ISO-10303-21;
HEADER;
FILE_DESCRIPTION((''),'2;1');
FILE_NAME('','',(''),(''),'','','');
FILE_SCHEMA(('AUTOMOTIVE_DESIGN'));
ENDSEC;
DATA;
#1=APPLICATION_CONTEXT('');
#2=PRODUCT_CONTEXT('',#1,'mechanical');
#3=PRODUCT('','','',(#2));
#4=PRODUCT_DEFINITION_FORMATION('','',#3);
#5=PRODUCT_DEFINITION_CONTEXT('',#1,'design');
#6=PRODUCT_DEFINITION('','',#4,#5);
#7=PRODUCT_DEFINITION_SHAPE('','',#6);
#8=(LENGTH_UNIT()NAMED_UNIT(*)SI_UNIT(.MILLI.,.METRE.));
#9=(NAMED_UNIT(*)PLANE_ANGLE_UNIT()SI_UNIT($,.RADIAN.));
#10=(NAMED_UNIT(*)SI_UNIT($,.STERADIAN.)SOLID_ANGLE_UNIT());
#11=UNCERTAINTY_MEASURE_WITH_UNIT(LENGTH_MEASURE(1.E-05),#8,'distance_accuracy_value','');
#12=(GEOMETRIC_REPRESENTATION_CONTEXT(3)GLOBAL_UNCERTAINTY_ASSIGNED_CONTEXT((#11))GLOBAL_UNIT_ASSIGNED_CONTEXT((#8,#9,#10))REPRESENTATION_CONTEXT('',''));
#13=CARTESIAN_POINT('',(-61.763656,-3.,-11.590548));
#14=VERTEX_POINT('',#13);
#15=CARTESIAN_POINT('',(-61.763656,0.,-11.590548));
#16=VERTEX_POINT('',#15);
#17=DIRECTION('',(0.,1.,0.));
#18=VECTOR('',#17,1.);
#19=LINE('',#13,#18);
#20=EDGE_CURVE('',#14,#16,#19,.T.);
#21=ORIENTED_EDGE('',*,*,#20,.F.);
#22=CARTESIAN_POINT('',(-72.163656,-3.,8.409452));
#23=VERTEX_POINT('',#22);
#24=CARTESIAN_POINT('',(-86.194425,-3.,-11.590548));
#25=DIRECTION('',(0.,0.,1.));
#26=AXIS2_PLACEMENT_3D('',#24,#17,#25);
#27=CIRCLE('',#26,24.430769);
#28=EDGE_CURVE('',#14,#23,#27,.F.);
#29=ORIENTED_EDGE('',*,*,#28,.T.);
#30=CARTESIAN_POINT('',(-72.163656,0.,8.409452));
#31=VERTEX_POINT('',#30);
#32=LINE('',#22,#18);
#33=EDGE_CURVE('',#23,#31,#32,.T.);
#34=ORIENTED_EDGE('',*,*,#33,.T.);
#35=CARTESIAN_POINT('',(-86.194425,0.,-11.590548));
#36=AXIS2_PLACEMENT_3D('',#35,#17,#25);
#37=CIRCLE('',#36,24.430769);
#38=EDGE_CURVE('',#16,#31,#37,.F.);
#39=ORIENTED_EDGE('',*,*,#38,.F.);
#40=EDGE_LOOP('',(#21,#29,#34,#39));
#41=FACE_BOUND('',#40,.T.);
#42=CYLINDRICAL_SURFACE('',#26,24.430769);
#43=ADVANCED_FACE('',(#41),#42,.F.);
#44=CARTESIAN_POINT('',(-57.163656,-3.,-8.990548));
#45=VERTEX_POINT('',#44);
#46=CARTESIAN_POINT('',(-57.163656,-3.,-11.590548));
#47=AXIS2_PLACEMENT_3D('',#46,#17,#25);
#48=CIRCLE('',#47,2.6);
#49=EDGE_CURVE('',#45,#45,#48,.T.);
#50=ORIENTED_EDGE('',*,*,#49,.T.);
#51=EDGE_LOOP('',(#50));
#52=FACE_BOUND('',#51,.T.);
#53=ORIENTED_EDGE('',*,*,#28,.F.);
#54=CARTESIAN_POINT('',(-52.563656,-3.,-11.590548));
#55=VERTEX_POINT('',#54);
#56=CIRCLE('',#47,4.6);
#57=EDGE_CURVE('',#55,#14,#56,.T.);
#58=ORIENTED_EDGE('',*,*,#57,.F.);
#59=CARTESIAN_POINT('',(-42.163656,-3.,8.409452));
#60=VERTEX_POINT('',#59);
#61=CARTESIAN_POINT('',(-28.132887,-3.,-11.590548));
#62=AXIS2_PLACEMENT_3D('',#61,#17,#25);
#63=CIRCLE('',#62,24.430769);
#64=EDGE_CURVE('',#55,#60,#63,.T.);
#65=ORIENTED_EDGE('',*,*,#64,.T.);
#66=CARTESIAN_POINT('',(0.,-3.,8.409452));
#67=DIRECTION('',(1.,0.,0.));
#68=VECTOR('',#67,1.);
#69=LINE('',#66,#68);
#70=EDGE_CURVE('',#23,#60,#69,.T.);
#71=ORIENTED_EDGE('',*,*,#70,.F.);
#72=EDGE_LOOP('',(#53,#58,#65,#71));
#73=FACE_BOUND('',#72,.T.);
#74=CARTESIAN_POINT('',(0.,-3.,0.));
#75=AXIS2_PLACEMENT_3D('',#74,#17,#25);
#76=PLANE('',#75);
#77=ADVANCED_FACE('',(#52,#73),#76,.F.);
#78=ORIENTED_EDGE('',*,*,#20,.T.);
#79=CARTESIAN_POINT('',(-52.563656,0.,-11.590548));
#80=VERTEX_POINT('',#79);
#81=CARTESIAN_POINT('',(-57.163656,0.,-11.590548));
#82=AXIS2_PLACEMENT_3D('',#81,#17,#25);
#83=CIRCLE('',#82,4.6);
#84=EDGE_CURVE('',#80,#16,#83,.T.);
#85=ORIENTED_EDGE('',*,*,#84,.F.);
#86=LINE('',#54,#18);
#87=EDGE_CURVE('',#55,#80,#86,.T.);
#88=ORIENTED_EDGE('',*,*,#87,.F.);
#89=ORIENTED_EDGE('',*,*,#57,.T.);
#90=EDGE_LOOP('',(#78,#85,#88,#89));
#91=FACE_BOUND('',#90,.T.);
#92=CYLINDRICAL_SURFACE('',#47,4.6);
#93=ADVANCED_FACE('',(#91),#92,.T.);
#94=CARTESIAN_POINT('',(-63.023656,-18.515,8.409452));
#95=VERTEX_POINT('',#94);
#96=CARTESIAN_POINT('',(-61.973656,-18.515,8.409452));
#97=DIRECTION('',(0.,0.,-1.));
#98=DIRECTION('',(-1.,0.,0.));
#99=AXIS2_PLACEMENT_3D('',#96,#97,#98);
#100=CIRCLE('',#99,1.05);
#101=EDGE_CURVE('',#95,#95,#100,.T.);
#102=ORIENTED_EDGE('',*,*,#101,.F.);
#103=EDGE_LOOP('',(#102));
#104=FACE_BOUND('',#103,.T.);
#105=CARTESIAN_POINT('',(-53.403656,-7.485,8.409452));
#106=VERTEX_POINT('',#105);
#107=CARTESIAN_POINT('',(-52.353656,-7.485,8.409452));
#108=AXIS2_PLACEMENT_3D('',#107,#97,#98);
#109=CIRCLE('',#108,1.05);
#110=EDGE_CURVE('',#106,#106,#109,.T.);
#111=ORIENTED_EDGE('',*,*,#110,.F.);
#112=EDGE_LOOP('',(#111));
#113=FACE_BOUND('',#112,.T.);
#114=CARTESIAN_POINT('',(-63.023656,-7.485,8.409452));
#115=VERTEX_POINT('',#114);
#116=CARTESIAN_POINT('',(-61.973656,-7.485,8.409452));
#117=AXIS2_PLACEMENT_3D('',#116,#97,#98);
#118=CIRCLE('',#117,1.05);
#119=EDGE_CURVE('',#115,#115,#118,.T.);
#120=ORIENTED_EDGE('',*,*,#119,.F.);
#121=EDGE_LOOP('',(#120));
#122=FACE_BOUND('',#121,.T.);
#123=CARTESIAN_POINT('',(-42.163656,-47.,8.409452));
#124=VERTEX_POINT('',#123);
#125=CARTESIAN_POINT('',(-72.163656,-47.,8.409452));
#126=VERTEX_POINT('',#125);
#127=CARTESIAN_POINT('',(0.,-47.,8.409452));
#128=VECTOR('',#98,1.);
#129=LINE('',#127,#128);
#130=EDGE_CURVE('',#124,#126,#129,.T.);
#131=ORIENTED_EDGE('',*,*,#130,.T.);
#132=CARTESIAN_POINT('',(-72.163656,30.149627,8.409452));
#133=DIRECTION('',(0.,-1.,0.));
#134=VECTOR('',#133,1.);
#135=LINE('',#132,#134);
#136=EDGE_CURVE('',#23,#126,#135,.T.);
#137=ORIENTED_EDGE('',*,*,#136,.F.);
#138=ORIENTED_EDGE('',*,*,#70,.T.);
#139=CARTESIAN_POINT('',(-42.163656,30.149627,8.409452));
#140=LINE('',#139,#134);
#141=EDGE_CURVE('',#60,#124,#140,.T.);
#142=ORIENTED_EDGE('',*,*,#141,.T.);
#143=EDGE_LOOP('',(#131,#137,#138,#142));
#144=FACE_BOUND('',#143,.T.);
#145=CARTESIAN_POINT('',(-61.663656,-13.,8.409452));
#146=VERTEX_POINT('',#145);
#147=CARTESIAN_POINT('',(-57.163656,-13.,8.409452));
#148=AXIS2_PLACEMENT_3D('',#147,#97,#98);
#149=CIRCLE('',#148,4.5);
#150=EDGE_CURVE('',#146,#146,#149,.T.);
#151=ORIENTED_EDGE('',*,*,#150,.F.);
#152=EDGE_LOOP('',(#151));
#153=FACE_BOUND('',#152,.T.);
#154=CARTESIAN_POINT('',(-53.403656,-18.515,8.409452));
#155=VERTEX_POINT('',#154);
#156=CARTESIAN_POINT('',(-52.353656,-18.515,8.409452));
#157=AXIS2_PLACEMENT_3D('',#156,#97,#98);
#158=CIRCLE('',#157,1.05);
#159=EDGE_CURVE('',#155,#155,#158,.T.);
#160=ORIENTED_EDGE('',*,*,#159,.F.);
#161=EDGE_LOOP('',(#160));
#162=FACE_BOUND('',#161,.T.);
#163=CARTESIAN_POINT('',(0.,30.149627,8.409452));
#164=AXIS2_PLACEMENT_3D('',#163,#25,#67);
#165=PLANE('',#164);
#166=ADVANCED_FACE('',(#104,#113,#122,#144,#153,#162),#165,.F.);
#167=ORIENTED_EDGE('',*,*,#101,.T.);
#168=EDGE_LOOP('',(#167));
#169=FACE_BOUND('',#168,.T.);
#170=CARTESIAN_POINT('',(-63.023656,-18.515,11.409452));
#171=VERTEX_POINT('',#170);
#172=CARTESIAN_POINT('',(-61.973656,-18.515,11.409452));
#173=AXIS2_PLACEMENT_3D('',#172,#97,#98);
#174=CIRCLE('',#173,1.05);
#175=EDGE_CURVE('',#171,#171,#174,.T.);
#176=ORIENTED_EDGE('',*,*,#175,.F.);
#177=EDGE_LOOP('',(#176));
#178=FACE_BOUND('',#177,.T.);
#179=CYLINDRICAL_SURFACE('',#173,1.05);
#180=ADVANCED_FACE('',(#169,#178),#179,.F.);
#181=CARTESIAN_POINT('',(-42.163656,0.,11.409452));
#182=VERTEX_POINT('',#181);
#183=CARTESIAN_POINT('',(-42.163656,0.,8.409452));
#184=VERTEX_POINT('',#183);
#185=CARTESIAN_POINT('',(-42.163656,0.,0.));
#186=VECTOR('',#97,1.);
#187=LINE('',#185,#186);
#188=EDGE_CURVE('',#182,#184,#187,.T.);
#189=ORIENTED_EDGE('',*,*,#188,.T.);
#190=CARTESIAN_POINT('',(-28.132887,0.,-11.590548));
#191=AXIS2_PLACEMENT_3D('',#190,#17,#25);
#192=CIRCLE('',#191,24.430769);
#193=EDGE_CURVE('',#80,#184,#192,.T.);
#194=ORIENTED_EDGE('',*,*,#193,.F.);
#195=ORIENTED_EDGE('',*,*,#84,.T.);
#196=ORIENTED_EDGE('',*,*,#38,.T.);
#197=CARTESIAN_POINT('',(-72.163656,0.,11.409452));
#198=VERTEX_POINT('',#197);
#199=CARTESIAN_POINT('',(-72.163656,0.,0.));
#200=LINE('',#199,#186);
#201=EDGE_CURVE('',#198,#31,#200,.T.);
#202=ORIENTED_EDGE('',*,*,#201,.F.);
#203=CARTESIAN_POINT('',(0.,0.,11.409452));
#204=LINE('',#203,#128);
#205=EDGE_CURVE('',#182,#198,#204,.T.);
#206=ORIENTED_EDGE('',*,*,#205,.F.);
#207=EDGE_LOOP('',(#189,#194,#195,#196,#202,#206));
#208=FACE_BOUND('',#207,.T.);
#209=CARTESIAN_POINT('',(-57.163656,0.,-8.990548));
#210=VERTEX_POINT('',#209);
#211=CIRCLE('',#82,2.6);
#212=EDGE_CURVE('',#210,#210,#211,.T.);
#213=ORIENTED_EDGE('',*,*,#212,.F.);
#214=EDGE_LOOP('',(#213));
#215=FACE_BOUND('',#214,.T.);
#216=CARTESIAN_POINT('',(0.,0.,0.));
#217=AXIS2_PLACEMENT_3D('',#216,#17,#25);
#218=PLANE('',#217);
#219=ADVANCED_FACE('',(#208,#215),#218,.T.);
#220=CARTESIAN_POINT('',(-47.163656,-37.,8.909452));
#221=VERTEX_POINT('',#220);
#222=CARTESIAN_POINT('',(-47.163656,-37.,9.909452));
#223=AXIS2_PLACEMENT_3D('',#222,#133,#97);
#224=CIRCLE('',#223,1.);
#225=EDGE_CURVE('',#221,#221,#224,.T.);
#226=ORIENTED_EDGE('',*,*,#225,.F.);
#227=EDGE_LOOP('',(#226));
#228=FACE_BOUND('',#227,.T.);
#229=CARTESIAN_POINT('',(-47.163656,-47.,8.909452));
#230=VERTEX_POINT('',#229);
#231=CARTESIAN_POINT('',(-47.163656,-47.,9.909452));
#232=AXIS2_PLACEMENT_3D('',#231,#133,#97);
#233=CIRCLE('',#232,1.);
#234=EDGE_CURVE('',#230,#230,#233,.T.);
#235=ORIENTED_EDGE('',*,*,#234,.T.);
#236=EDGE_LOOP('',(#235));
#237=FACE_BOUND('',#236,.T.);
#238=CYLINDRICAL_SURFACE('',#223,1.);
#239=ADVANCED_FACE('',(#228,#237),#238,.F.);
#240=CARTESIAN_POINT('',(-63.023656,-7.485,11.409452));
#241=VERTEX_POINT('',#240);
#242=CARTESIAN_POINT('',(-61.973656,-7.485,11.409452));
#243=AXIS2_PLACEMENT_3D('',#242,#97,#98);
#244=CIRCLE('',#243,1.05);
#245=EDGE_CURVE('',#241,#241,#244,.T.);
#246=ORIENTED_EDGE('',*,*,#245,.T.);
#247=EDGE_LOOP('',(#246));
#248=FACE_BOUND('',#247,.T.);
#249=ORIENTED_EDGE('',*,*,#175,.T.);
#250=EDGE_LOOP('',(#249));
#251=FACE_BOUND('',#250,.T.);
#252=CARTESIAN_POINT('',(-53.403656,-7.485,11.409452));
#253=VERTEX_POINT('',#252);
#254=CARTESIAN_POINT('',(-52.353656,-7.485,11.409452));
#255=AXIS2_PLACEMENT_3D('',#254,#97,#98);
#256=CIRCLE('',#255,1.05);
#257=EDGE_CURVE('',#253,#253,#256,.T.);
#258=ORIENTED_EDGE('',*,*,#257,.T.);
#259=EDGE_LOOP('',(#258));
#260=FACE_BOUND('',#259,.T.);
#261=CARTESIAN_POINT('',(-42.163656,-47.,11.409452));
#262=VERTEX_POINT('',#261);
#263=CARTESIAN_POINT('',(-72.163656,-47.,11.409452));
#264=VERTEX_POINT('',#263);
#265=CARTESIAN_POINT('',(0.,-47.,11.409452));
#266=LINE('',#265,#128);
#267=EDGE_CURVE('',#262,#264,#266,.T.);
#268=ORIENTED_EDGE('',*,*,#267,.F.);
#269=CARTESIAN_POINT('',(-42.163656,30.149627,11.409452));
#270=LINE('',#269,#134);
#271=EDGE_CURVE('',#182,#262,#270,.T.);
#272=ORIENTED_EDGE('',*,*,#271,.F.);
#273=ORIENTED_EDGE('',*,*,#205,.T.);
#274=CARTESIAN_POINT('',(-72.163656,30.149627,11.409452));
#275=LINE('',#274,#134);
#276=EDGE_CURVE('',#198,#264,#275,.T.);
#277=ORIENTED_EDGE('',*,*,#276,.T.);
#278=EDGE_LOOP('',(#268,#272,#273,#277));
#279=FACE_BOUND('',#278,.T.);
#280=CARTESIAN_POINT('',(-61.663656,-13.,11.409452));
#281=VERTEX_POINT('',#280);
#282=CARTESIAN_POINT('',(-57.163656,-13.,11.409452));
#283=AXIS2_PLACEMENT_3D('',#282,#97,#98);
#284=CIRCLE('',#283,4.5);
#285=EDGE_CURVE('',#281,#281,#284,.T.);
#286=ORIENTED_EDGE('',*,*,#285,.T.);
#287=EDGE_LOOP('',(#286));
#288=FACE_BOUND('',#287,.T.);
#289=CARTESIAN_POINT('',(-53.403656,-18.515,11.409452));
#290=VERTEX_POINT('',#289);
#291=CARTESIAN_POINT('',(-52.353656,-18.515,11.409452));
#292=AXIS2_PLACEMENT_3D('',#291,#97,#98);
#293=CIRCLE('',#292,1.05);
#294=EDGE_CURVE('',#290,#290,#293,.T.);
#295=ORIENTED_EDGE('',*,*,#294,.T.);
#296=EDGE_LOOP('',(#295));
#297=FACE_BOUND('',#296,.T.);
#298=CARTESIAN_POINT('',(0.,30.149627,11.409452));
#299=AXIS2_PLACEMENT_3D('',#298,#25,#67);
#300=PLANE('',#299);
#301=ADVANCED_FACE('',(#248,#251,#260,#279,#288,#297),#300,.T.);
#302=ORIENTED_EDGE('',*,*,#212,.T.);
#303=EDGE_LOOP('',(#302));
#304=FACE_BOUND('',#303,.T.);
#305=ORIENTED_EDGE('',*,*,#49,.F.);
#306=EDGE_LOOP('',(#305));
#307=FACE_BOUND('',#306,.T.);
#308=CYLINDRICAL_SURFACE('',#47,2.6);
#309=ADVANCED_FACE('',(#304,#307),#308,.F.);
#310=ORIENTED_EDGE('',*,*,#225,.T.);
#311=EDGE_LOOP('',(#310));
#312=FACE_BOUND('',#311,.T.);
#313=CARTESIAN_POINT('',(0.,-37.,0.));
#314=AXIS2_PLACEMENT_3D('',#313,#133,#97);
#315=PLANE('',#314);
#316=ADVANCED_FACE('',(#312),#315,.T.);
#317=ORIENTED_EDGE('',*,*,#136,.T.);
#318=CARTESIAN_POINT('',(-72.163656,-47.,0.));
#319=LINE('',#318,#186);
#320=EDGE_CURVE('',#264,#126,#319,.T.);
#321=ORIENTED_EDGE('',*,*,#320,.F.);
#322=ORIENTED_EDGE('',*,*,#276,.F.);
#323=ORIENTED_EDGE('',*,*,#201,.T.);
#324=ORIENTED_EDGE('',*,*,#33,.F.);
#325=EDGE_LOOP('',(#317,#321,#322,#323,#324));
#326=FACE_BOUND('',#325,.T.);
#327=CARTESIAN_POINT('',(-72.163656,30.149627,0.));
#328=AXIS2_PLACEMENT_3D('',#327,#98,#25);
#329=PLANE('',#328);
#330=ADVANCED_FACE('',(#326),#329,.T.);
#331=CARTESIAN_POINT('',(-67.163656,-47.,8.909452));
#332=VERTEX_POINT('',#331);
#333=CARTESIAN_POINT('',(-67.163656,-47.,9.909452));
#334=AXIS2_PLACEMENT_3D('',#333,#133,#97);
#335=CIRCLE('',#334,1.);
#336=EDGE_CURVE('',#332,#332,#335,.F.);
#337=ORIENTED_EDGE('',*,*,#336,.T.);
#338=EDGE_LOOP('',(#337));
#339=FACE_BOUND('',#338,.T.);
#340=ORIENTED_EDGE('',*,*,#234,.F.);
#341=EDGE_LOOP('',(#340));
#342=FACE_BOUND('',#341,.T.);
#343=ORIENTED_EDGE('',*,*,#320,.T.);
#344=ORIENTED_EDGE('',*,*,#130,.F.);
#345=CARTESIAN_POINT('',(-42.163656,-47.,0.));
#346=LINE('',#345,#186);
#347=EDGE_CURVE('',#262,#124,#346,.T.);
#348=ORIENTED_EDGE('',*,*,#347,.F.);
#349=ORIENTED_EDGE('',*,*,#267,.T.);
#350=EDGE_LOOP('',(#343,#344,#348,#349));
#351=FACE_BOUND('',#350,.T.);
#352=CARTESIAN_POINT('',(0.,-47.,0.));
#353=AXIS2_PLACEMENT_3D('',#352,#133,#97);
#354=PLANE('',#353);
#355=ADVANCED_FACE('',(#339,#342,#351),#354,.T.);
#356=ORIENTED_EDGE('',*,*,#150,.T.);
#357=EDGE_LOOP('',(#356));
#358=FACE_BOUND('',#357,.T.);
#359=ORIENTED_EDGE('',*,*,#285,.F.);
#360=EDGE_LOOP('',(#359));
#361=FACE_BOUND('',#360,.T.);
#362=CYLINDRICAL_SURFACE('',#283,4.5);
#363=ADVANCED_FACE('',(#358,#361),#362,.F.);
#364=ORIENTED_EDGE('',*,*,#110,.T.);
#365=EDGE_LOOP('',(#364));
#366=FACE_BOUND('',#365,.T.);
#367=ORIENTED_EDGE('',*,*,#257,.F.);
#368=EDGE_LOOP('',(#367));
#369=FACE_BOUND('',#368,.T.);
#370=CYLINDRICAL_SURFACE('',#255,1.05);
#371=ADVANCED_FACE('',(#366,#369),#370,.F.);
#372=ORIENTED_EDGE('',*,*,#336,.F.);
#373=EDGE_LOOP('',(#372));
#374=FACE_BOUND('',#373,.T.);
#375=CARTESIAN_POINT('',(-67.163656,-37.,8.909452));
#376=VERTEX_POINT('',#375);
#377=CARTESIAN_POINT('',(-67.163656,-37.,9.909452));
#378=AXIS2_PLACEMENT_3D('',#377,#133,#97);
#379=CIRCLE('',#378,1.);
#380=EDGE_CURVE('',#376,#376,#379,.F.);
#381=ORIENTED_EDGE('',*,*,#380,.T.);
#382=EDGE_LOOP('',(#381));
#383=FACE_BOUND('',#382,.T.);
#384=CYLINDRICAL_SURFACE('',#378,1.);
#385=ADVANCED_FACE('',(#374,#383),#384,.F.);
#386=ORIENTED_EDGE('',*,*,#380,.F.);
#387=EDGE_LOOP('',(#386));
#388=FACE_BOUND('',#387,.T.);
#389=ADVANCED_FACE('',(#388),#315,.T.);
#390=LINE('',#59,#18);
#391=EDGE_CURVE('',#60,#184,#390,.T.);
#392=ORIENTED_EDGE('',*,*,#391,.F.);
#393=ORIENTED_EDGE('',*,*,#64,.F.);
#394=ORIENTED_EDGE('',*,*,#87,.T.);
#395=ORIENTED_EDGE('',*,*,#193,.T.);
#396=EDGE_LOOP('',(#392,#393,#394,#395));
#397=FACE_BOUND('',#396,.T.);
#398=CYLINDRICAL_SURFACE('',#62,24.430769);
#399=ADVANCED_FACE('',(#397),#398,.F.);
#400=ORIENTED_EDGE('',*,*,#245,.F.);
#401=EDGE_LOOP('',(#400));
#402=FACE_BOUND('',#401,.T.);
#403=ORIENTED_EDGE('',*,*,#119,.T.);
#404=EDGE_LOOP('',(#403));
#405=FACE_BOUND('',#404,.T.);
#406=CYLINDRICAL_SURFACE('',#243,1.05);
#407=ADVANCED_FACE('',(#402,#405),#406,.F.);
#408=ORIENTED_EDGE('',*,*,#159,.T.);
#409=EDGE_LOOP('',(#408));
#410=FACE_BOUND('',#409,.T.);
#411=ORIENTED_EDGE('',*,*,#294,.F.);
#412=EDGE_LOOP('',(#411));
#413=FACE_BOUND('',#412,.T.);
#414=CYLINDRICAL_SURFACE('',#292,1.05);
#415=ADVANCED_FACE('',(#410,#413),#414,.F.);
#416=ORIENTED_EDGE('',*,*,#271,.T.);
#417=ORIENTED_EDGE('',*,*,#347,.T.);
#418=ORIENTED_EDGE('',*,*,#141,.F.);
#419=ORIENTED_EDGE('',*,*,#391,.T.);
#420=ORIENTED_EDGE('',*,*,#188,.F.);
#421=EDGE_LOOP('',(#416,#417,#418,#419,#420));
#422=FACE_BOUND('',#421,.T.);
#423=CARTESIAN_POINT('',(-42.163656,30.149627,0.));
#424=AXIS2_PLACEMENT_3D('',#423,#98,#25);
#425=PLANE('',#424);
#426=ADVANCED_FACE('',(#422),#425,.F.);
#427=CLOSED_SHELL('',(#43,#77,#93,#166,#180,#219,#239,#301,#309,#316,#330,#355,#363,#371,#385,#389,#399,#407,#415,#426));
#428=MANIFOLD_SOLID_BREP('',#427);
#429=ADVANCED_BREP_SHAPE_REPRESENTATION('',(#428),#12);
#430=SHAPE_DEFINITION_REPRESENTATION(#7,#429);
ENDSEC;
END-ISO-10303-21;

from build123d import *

# Parameters (mm, degrees)
BOSS_EXTRUDE1_DEPTH             = 3
SKETCH2_W                       = 30
SKETCH2_H                       = 3
BOSS_EXTRUDE2_DEPTH             = 44
BOSS_EXTRUDE2_DIRECTION_2_REACH = 76.018
SKETCH3_R                       = 1
CUT_EXTRUDE1_DEPTH              = 10
SKETCH5_R                       = 4.5
SKETCH5_R_2                     = 1.05
CUT_EXTRUDE2_DEPTH              = 90.56424105


with BuildPart() as part:
    # Sketch1 → Boss-Extrude1 (new body)
    with BuildSketch(Plane(origin=(0, 0, 0), x_dir=(1, 0, 0), z_dir=(0, 1, 0))):
        with BuildLine():
            ThreePointArc((-52.563656192, 11.590548397), (-53.910964998, 14.843239591), (-57.163656192, 16.190548397))
            Line((-57.163656192, 16.190548397), (-57.163656192, 14.190548397))
            ThreePointArc((-57.163656192, 14.190548397), (-55.32517856, 13.429026028), (-54.563656192, 11.590548397))
            ThreePointArc((-54.563656192, 11.590548397), (-55.32517856, 9.752070766), (-57.163656192, 8.990548397))
            Line((-57.163656192, 8.990548397), (-57.163656192, 6.990548397))
            ThreePointArc((-57.163656192, 6.990548397), (-53.910964998, 8.337857204), (-52.563656192, 11.590548397))
        make_face()
        with BuildLine():
            Line((-57.163656192, 14.190548397), (-57.163656192, 16.190548397))
            ThreePointArc((-57.163656192, 16.190548397), (-60.416347385, 14.843239591), (-61.763656192, 11.590548397))
            ThreePointArc((-61.763656192, 11.590548397), (-60.416347385, 8.337857204), (-57.163656192, 6.990548397))
            Line((-57.163656192, 6.990548397), (-57.163656192, 8.990548397))
            ThreePointArc((-57.163656192, 8.990548397), (-59.763656192, 11.590548397), (-57.163656192, 14.190548397))
        make_face()
        with BuildLine():
            ThreePointArc((-42.163656192, -8.409451603), (-49.808275889, 0.319346154), (-52.563656192, 11.590548397))
            ThreePointArc((-52.563656192, 11.590548397), (-53.910964998, 8.337857204), (-57.163656192, 6.990548397))
            Line((-57.163656192, 6.990548397), (-57.163656192, -8.409451603))
            Line((-57.163656192, -8.409451603), (-42.163656192, -8.409451603))
        make_face()
        with BuildLine():
            ThreePointArc((-57.163656192, 6.990548397), (-60.416347385, 8.337857204), (-61.763656192, 11.590548397))
            ThreePointArc((-61.763656192, 11.590548397), (-64.519036494, 0.319346154), (-72.163656192, -8.409451603))
            Line((-72.163656192, -8.409451603), (-57.163656192, -8.409451603))
            Line((-57.163656192, -8.409451603), (-57.163656192, 6.990548397))
        make_face()
    extrude(amount=-BOSS_EXTRUDE1_DEPTH)

    # Sketch2 → Boss-Extrude2 (add)
    with BuildSketch(Plane(origin=(0, -3, 0), x_dir=(-1, 0, 0), z_dir=(0, -1, 0))):
        with Locations((57.163656192, -9.909451603)):
            Rectangle(SKETCH2_W, SKETCH2_H)
    extrude(amount=BOSS_EXTRUDE2_DEPTH)

    # Boss-Extrude2 direction 2: up to this face of the body (flat: up to its plane)
    boss_extrude2_direction_2_end = Plane(part.part.faces().sort_by_distance((-57.163656192, 0, -0.136432956))[0])
    # Sketch2 → Boss-Extrude2 direction 2 (add, up to the picked face)
    with BuildSketch(Plane(origin=(0, -3, 0), x_dir=(-1, 0, 0), z_dir=(0, -1, 0)), mode=Mode.PRIVATE) as boss_extrude2_direction_2_sk1:
        with Locations((57.163656192, -9.909451603)):
            Rectangle(SKETCH2_W, SKETCH2_H)
    boss_extrude2_direction_2_tool1 = split(extrude(boss_extrude2_direction_2_sk1.sketch, amount=-BOSS_EXTRUDE2_DIRECTION_2_REACH, mode=Mode.PRIVATE), bisect_by=boss_extrude2_direction_2_end, keep=Keep.BOTH, mode=Mode.PRIVATE)
    add(boss_extrude2_direction_2_tool1.solids().sort_by(Axis((-57.163656, -3, 9.909452), (0, 1, 0)))[0])

    # Sketch3 → Cut-Extrude1 (cut)
    with BuildSketch(Plane(origin=(0, -47, 0), x_dir=(-1, 0, 0), z_dir=(0, -1, 0))):
        with Locations(Location((47.163656192, -9.909451603, 0), (0, 0, 90))):
            Circle(SKETCH3_R)
        with Locations(Location((67.163656192, -9.909451603, 0), (0, 0, 90))):
            Circle(SKETCH3_R)
    extrude(amount=-CUT_EXTRUDE1_DEPTH, mode=Mode.SUBTRACT)

    # Sketch5 → Cut-Extrude2 (cut, through all)
    with BuildSketch(Plane(origin=(0, 0, 8.409451603), x_dir=(-1, 0, 0), z_dir=(0, 0, -1))):
        with Locations((57.163656192, -13)):
            Circle(SKETCH5_R)
        with Locations((52.353656192, -7.485)):
            Circle(SKETCH5_R_2)
        with Locations((52.353656192, -18.515)):
            Circle(SKETCH5_R_2)
        with Locations((61.973656192, -7.485)):
            Circle(SKETCH5_R_2)
        with Locations((61.973656192, -18.515)):
            Circle(SKETCH5_R_2)
    extrude(amount=-CUT_EXTRUDE2_DEPTH, mode=Mode.SUBTRACT)


solid = part.part
